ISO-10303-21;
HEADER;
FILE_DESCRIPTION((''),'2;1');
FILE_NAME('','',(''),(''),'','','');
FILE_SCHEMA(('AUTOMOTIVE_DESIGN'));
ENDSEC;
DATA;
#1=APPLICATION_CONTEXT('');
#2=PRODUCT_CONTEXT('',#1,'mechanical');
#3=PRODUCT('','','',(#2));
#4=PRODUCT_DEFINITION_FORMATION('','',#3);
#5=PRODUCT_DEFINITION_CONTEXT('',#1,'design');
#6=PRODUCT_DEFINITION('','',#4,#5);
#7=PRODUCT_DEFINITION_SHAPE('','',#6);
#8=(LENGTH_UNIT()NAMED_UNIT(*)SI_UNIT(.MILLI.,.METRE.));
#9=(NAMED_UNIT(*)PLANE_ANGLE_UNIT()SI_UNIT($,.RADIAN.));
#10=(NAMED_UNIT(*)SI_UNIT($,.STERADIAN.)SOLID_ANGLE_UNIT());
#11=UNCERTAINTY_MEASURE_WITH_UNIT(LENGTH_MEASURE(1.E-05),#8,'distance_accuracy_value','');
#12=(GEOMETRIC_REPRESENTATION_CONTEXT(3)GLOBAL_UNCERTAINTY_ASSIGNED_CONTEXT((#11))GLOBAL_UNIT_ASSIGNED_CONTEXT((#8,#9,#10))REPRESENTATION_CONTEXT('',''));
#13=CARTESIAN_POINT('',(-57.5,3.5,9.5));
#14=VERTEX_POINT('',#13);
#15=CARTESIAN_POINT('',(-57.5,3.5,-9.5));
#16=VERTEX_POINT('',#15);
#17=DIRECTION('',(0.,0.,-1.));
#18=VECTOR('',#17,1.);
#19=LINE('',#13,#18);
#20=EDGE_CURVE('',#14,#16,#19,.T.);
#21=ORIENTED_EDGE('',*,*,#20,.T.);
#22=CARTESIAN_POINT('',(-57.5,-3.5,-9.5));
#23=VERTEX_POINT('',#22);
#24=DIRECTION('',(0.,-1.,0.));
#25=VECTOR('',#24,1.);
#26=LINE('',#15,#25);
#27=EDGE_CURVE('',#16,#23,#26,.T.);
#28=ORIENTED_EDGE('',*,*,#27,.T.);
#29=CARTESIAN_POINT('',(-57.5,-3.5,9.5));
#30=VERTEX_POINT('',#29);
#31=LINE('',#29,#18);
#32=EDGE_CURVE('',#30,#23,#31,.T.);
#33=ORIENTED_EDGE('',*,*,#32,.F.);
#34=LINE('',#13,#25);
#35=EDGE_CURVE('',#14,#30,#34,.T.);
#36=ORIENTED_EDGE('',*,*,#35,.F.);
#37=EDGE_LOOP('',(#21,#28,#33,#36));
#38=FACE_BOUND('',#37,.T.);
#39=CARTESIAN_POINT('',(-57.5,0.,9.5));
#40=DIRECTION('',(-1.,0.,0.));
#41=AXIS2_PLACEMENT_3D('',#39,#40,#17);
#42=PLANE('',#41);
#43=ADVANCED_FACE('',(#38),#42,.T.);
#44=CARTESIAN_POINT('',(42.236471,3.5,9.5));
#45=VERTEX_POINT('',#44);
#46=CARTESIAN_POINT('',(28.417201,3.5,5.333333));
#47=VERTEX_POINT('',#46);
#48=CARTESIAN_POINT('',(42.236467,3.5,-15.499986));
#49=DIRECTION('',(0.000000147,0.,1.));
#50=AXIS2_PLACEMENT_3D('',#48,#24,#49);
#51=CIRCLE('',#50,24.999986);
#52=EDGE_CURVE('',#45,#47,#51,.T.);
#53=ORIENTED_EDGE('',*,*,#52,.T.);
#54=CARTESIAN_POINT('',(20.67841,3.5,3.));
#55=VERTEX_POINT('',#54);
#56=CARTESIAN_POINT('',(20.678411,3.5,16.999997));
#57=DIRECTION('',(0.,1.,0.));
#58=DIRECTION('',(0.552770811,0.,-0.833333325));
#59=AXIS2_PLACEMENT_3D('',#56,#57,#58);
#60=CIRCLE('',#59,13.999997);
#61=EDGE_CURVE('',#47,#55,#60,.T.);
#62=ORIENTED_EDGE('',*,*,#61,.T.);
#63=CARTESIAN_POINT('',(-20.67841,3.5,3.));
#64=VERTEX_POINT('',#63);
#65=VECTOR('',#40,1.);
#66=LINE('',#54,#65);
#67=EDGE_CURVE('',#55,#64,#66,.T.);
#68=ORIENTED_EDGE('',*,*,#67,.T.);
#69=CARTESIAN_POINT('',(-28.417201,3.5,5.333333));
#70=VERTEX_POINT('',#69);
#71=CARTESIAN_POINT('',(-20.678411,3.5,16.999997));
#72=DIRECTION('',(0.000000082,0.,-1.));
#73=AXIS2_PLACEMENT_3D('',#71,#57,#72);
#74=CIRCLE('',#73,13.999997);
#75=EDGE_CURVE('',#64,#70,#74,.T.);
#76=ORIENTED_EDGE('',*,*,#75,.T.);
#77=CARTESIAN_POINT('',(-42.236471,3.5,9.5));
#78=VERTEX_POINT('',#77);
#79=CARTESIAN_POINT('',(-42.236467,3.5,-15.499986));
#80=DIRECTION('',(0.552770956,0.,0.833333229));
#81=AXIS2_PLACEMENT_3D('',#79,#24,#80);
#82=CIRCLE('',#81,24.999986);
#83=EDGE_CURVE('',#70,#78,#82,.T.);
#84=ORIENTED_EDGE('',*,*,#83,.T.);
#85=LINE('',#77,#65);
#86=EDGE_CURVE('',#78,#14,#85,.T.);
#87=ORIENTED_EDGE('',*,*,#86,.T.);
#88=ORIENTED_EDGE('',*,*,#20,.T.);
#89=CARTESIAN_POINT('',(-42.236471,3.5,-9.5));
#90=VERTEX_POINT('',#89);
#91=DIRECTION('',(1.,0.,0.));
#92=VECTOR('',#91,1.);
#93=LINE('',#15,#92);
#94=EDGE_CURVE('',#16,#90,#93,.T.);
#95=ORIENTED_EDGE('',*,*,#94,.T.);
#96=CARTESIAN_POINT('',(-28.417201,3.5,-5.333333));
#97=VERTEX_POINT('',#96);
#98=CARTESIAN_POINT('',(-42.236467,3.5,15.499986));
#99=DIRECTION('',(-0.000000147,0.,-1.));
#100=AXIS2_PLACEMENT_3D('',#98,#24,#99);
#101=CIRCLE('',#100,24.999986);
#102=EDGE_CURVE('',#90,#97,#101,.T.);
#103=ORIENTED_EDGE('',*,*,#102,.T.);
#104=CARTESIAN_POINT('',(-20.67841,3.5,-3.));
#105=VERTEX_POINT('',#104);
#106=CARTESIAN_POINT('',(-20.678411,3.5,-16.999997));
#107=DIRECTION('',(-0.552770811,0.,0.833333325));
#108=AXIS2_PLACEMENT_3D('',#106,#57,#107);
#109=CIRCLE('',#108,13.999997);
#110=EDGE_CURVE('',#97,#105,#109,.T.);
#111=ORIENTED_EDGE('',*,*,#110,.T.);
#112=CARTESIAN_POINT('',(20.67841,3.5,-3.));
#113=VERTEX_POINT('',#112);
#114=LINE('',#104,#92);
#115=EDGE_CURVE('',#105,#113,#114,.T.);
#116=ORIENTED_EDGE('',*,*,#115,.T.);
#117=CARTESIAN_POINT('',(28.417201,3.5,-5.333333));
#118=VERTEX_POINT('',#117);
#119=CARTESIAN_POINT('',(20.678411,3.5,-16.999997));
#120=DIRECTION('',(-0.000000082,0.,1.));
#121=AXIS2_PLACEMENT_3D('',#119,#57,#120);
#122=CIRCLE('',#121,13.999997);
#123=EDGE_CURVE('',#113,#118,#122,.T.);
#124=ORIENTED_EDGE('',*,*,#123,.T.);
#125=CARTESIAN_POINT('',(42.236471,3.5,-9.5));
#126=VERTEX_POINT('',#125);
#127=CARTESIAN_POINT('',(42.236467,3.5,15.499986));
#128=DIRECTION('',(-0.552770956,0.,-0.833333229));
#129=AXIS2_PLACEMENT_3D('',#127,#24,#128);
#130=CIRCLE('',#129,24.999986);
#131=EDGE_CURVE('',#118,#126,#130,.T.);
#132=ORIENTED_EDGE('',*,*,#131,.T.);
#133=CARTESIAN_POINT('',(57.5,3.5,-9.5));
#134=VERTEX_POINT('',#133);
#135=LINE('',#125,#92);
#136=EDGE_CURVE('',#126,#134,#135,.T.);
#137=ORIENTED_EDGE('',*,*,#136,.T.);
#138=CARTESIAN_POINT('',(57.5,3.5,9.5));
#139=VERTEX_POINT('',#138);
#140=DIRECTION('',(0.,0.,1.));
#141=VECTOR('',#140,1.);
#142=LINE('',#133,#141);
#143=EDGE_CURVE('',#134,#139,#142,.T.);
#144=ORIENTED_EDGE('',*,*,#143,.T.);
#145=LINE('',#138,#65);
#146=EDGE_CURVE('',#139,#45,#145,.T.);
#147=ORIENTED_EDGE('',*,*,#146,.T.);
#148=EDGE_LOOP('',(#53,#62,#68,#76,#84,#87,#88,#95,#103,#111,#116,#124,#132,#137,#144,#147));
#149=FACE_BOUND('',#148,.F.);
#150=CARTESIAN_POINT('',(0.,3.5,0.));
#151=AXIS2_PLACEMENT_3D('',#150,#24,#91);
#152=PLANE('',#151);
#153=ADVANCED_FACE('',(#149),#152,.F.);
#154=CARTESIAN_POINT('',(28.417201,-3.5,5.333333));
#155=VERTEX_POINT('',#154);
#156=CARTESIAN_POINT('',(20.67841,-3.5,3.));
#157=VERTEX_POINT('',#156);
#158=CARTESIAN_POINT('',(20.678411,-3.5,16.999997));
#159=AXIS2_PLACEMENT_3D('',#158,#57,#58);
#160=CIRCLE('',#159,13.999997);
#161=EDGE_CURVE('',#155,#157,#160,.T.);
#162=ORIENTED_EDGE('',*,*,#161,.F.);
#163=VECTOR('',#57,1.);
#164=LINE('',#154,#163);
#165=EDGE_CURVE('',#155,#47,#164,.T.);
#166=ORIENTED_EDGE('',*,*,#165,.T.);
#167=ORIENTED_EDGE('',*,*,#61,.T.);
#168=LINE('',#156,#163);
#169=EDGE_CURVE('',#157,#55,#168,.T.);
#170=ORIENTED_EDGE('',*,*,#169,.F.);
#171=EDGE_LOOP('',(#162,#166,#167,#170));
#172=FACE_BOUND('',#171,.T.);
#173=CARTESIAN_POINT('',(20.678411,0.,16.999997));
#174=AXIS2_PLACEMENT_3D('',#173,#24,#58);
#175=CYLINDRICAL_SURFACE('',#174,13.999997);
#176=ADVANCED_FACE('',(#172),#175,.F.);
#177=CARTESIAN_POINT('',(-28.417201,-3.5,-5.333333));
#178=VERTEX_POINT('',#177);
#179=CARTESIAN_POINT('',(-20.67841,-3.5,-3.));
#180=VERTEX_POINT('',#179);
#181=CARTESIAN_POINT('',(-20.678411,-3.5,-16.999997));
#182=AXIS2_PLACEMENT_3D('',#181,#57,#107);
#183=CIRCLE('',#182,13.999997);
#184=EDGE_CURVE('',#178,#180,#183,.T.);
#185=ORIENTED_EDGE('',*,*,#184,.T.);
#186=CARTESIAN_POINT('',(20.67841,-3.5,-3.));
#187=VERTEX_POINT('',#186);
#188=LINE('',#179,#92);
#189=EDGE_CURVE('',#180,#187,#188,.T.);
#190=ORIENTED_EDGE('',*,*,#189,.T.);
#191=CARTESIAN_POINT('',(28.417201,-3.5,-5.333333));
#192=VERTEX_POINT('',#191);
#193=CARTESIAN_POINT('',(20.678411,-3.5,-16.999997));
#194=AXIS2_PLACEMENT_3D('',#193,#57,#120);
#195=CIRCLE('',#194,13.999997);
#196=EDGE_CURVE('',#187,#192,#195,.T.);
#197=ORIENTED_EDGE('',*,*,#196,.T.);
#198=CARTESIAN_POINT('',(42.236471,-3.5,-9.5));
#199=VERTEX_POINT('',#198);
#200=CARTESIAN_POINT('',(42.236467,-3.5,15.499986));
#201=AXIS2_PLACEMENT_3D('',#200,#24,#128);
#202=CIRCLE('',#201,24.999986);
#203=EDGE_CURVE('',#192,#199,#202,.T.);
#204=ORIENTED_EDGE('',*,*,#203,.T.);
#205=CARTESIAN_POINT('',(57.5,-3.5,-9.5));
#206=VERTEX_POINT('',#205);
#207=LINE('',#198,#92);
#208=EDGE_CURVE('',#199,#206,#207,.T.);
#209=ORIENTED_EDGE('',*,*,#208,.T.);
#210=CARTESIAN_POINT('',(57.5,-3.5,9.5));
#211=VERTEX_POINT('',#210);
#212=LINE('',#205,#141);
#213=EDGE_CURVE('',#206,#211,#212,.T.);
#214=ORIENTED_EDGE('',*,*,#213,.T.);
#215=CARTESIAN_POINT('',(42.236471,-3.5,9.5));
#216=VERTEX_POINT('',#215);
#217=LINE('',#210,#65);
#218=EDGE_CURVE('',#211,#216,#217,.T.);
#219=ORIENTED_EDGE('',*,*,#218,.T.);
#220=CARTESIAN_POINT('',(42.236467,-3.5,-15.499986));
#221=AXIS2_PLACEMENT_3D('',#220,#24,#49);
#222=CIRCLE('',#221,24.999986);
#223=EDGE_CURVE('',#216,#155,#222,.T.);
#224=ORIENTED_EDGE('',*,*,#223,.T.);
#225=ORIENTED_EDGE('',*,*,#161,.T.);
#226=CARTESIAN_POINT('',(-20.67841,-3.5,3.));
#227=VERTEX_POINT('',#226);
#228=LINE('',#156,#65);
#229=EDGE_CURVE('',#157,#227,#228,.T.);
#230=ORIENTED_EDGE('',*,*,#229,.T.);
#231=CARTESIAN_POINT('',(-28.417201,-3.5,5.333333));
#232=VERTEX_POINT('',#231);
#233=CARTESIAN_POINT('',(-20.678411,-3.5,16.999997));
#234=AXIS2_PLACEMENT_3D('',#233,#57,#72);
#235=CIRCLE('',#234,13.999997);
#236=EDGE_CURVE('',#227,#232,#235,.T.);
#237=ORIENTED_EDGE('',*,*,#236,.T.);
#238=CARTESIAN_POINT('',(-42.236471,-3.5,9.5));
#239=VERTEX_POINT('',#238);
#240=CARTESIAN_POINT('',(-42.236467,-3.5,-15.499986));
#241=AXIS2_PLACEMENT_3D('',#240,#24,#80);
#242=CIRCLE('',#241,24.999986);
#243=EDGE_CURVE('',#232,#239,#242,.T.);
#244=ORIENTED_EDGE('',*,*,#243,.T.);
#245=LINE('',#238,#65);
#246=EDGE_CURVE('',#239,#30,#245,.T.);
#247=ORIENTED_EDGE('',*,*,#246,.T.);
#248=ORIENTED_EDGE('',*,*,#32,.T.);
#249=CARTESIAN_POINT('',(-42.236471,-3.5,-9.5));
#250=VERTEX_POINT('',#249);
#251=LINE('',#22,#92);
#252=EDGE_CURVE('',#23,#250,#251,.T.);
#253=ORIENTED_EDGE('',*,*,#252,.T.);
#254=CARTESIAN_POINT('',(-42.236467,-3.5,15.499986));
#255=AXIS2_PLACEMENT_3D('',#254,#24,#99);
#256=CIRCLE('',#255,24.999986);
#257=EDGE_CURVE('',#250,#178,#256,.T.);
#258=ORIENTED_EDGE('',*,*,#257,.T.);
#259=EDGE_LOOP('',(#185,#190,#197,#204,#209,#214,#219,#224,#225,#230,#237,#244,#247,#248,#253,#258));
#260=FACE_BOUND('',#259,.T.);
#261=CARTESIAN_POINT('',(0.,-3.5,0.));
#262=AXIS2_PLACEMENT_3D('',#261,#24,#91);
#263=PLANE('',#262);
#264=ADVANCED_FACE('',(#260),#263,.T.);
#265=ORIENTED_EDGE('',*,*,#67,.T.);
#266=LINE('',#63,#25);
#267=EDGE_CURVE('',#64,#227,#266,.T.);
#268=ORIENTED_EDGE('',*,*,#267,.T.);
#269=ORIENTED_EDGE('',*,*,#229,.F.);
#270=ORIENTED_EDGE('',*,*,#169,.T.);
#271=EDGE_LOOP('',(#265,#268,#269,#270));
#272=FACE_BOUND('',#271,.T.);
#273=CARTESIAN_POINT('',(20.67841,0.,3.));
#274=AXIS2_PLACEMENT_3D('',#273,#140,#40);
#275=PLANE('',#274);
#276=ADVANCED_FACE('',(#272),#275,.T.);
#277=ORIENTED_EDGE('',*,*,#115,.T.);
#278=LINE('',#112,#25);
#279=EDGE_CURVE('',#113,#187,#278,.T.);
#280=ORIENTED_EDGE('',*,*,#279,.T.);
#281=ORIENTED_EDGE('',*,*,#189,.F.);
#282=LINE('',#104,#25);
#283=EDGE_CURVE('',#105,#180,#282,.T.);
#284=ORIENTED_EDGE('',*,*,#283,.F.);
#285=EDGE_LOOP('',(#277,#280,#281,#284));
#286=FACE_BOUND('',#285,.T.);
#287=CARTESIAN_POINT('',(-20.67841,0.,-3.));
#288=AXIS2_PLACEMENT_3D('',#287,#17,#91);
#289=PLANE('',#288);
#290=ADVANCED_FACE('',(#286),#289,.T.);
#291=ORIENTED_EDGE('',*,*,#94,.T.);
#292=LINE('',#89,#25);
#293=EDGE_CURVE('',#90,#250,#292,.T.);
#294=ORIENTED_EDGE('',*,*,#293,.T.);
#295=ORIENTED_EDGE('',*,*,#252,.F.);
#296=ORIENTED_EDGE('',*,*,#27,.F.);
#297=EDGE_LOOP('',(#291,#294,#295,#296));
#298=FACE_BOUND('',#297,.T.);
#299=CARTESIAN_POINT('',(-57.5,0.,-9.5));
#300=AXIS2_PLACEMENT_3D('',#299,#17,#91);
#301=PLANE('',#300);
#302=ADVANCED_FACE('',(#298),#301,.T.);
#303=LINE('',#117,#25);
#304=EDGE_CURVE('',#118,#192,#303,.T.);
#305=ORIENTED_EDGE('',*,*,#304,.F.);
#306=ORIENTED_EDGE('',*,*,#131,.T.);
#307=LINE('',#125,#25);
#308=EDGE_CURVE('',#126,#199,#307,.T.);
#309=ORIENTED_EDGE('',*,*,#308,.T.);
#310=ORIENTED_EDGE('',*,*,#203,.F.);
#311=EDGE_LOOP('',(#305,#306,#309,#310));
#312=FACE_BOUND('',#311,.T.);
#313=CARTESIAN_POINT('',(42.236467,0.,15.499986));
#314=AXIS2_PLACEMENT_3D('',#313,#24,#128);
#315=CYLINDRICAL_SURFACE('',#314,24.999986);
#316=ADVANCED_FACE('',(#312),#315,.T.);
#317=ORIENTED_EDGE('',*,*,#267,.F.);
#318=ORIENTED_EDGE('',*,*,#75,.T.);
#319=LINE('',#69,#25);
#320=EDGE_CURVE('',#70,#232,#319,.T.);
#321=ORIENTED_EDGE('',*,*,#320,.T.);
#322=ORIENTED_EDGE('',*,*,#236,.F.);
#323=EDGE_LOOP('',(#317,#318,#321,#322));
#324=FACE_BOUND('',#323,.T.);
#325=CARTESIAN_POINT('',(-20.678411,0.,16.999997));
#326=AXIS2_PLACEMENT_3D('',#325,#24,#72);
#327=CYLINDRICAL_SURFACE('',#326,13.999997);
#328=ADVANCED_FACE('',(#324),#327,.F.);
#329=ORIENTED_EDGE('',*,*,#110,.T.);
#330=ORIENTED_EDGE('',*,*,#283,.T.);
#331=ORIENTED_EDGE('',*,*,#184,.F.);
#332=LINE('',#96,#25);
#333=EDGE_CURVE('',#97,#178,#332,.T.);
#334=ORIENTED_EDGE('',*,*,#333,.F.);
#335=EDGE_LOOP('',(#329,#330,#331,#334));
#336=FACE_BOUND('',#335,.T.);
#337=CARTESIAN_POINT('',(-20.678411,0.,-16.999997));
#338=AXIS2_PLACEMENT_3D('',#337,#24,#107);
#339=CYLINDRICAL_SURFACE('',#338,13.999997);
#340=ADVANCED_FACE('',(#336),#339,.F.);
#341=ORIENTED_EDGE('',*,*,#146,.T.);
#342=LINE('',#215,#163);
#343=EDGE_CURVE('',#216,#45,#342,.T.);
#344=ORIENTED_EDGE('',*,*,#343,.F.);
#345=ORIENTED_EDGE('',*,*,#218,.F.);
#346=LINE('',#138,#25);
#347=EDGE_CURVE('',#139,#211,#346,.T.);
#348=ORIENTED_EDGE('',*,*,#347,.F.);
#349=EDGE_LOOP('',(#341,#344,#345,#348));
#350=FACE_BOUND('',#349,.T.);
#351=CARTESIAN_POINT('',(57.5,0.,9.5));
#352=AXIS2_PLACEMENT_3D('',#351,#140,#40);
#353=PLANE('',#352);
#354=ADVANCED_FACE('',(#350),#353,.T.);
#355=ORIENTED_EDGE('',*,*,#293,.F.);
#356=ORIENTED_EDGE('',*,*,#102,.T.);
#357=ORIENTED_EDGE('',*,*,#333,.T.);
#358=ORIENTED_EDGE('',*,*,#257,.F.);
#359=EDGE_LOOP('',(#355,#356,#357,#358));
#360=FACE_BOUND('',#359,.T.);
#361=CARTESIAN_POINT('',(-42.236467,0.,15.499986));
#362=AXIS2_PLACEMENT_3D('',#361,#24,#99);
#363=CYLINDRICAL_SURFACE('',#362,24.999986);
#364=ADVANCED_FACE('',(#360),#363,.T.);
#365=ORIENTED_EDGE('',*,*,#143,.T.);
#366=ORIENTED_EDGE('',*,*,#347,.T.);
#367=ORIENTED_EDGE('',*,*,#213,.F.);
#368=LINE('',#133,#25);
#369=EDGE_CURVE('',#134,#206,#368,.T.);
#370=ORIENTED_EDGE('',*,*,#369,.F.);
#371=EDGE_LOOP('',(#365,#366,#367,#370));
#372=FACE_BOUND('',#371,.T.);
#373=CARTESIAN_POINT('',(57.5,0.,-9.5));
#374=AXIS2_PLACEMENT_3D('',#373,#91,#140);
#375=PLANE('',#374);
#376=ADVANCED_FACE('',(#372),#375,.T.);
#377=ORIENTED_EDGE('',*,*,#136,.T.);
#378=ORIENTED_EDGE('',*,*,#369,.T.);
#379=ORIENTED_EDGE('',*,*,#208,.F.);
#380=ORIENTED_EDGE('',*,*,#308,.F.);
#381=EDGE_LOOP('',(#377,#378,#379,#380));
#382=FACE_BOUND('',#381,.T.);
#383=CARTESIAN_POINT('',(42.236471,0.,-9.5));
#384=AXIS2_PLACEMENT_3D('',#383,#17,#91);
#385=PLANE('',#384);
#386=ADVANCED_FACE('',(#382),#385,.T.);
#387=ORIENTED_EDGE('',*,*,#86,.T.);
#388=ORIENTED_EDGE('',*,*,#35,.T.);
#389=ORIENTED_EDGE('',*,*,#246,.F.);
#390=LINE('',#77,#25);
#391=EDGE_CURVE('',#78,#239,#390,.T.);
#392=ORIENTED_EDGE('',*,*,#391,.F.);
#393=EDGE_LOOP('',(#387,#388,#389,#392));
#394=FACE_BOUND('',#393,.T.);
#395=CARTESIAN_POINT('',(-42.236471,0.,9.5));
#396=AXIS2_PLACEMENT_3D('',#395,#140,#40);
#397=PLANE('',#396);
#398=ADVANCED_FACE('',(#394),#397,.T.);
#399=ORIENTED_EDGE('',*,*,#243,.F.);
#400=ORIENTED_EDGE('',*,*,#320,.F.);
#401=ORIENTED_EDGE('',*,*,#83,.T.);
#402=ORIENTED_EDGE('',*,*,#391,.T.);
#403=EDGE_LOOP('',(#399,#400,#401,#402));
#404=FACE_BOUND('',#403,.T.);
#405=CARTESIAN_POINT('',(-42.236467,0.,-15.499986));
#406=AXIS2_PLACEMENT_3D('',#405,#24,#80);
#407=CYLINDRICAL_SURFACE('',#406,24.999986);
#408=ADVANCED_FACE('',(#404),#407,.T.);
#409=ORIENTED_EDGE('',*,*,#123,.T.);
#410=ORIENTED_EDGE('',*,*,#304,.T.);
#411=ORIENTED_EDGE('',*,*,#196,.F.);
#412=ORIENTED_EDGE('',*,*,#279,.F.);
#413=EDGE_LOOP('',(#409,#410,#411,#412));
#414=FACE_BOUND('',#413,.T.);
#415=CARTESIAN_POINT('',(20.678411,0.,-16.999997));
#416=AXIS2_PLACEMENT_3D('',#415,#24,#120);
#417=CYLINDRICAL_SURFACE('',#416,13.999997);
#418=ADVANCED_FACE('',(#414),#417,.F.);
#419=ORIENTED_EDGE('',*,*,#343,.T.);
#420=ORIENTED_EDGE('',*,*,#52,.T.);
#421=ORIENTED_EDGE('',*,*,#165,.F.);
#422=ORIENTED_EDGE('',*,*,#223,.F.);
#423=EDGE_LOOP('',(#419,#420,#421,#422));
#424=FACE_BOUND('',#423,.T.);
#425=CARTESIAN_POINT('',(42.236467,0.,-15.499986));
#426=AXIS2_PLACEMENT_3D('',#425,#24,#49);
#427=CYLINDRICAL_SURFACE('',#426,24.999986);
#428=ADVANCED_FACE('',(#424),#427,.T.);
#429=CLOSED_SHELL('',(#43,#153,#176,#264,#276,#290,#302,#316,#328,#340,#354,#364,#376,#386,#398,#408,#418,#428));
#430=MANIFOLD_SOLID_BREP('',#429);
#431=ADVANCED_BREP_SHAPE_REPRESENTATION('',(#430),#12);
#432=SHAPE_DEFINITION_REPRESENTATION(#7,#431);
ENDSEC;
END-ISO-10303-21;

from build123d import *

# Parameters (mm, degrees)
F1_DEPTH = 3.5


with BuildPart() as f1:
    # F0 (on Front) → F1 (new body, symmetric)
    with BuildSketch(Plane.XZ):
        with BuildLine():
            Line((20.67841, 3), (0, 3))
            Line((0, 3), (-20.67841, 3))
            ThreePointArc((-20.67841, 3), (-24.719861, 3.59602), (-28.417201, 5.333333))
            ThreePointArc((-28.417201, 5.333333), (-35.019592, 8.435678), (-42.236471, 9.5))
            Line((-42.236471, 9.5), (-57.5, 9.5))
            Line((-57.5, 9.5), (-57.5, -9.5))
            Line((-57.5, -9.5), (-42.236471, -9.5))
            ThreePointArc((-42.236471, -9.5), (-35.019592, -8.435678), (-28.417201, -5.333333))
            ThreePointArc((-28.417201, -5.333333), (-24.719861, -3.59602), (-20.67841, -3))
            Line((-20.67841, -3), (0, -3))
            Line((0, -3), (20.67841, -3))
            ThreePointArc((20.67841, -3), (24.719861, -3.59602), (28.417201, -5.333333))
            ThreePointArc((28.417201, -5.333333), (35.019592, -8.435678), (42.236471, -9.5))
            Line((42.236471, -9.5), (57.5, -9.5))
            Line((57.5, -9.5), (57.5, 9.5))
            Line((57.5, 9.5), (42.236471, 9.5))
            ThreePointArc((42.236471, 9.5), (35.019592, 8.435678), (28.417201, 5.333333))
            ThreePointArc((28.417201, 5.333333), (24.719861, 3.59602), (20.67841, 3))
        make_face()
    extrude(amount=F1_DEPTH, both=True)


solid = f1.part
